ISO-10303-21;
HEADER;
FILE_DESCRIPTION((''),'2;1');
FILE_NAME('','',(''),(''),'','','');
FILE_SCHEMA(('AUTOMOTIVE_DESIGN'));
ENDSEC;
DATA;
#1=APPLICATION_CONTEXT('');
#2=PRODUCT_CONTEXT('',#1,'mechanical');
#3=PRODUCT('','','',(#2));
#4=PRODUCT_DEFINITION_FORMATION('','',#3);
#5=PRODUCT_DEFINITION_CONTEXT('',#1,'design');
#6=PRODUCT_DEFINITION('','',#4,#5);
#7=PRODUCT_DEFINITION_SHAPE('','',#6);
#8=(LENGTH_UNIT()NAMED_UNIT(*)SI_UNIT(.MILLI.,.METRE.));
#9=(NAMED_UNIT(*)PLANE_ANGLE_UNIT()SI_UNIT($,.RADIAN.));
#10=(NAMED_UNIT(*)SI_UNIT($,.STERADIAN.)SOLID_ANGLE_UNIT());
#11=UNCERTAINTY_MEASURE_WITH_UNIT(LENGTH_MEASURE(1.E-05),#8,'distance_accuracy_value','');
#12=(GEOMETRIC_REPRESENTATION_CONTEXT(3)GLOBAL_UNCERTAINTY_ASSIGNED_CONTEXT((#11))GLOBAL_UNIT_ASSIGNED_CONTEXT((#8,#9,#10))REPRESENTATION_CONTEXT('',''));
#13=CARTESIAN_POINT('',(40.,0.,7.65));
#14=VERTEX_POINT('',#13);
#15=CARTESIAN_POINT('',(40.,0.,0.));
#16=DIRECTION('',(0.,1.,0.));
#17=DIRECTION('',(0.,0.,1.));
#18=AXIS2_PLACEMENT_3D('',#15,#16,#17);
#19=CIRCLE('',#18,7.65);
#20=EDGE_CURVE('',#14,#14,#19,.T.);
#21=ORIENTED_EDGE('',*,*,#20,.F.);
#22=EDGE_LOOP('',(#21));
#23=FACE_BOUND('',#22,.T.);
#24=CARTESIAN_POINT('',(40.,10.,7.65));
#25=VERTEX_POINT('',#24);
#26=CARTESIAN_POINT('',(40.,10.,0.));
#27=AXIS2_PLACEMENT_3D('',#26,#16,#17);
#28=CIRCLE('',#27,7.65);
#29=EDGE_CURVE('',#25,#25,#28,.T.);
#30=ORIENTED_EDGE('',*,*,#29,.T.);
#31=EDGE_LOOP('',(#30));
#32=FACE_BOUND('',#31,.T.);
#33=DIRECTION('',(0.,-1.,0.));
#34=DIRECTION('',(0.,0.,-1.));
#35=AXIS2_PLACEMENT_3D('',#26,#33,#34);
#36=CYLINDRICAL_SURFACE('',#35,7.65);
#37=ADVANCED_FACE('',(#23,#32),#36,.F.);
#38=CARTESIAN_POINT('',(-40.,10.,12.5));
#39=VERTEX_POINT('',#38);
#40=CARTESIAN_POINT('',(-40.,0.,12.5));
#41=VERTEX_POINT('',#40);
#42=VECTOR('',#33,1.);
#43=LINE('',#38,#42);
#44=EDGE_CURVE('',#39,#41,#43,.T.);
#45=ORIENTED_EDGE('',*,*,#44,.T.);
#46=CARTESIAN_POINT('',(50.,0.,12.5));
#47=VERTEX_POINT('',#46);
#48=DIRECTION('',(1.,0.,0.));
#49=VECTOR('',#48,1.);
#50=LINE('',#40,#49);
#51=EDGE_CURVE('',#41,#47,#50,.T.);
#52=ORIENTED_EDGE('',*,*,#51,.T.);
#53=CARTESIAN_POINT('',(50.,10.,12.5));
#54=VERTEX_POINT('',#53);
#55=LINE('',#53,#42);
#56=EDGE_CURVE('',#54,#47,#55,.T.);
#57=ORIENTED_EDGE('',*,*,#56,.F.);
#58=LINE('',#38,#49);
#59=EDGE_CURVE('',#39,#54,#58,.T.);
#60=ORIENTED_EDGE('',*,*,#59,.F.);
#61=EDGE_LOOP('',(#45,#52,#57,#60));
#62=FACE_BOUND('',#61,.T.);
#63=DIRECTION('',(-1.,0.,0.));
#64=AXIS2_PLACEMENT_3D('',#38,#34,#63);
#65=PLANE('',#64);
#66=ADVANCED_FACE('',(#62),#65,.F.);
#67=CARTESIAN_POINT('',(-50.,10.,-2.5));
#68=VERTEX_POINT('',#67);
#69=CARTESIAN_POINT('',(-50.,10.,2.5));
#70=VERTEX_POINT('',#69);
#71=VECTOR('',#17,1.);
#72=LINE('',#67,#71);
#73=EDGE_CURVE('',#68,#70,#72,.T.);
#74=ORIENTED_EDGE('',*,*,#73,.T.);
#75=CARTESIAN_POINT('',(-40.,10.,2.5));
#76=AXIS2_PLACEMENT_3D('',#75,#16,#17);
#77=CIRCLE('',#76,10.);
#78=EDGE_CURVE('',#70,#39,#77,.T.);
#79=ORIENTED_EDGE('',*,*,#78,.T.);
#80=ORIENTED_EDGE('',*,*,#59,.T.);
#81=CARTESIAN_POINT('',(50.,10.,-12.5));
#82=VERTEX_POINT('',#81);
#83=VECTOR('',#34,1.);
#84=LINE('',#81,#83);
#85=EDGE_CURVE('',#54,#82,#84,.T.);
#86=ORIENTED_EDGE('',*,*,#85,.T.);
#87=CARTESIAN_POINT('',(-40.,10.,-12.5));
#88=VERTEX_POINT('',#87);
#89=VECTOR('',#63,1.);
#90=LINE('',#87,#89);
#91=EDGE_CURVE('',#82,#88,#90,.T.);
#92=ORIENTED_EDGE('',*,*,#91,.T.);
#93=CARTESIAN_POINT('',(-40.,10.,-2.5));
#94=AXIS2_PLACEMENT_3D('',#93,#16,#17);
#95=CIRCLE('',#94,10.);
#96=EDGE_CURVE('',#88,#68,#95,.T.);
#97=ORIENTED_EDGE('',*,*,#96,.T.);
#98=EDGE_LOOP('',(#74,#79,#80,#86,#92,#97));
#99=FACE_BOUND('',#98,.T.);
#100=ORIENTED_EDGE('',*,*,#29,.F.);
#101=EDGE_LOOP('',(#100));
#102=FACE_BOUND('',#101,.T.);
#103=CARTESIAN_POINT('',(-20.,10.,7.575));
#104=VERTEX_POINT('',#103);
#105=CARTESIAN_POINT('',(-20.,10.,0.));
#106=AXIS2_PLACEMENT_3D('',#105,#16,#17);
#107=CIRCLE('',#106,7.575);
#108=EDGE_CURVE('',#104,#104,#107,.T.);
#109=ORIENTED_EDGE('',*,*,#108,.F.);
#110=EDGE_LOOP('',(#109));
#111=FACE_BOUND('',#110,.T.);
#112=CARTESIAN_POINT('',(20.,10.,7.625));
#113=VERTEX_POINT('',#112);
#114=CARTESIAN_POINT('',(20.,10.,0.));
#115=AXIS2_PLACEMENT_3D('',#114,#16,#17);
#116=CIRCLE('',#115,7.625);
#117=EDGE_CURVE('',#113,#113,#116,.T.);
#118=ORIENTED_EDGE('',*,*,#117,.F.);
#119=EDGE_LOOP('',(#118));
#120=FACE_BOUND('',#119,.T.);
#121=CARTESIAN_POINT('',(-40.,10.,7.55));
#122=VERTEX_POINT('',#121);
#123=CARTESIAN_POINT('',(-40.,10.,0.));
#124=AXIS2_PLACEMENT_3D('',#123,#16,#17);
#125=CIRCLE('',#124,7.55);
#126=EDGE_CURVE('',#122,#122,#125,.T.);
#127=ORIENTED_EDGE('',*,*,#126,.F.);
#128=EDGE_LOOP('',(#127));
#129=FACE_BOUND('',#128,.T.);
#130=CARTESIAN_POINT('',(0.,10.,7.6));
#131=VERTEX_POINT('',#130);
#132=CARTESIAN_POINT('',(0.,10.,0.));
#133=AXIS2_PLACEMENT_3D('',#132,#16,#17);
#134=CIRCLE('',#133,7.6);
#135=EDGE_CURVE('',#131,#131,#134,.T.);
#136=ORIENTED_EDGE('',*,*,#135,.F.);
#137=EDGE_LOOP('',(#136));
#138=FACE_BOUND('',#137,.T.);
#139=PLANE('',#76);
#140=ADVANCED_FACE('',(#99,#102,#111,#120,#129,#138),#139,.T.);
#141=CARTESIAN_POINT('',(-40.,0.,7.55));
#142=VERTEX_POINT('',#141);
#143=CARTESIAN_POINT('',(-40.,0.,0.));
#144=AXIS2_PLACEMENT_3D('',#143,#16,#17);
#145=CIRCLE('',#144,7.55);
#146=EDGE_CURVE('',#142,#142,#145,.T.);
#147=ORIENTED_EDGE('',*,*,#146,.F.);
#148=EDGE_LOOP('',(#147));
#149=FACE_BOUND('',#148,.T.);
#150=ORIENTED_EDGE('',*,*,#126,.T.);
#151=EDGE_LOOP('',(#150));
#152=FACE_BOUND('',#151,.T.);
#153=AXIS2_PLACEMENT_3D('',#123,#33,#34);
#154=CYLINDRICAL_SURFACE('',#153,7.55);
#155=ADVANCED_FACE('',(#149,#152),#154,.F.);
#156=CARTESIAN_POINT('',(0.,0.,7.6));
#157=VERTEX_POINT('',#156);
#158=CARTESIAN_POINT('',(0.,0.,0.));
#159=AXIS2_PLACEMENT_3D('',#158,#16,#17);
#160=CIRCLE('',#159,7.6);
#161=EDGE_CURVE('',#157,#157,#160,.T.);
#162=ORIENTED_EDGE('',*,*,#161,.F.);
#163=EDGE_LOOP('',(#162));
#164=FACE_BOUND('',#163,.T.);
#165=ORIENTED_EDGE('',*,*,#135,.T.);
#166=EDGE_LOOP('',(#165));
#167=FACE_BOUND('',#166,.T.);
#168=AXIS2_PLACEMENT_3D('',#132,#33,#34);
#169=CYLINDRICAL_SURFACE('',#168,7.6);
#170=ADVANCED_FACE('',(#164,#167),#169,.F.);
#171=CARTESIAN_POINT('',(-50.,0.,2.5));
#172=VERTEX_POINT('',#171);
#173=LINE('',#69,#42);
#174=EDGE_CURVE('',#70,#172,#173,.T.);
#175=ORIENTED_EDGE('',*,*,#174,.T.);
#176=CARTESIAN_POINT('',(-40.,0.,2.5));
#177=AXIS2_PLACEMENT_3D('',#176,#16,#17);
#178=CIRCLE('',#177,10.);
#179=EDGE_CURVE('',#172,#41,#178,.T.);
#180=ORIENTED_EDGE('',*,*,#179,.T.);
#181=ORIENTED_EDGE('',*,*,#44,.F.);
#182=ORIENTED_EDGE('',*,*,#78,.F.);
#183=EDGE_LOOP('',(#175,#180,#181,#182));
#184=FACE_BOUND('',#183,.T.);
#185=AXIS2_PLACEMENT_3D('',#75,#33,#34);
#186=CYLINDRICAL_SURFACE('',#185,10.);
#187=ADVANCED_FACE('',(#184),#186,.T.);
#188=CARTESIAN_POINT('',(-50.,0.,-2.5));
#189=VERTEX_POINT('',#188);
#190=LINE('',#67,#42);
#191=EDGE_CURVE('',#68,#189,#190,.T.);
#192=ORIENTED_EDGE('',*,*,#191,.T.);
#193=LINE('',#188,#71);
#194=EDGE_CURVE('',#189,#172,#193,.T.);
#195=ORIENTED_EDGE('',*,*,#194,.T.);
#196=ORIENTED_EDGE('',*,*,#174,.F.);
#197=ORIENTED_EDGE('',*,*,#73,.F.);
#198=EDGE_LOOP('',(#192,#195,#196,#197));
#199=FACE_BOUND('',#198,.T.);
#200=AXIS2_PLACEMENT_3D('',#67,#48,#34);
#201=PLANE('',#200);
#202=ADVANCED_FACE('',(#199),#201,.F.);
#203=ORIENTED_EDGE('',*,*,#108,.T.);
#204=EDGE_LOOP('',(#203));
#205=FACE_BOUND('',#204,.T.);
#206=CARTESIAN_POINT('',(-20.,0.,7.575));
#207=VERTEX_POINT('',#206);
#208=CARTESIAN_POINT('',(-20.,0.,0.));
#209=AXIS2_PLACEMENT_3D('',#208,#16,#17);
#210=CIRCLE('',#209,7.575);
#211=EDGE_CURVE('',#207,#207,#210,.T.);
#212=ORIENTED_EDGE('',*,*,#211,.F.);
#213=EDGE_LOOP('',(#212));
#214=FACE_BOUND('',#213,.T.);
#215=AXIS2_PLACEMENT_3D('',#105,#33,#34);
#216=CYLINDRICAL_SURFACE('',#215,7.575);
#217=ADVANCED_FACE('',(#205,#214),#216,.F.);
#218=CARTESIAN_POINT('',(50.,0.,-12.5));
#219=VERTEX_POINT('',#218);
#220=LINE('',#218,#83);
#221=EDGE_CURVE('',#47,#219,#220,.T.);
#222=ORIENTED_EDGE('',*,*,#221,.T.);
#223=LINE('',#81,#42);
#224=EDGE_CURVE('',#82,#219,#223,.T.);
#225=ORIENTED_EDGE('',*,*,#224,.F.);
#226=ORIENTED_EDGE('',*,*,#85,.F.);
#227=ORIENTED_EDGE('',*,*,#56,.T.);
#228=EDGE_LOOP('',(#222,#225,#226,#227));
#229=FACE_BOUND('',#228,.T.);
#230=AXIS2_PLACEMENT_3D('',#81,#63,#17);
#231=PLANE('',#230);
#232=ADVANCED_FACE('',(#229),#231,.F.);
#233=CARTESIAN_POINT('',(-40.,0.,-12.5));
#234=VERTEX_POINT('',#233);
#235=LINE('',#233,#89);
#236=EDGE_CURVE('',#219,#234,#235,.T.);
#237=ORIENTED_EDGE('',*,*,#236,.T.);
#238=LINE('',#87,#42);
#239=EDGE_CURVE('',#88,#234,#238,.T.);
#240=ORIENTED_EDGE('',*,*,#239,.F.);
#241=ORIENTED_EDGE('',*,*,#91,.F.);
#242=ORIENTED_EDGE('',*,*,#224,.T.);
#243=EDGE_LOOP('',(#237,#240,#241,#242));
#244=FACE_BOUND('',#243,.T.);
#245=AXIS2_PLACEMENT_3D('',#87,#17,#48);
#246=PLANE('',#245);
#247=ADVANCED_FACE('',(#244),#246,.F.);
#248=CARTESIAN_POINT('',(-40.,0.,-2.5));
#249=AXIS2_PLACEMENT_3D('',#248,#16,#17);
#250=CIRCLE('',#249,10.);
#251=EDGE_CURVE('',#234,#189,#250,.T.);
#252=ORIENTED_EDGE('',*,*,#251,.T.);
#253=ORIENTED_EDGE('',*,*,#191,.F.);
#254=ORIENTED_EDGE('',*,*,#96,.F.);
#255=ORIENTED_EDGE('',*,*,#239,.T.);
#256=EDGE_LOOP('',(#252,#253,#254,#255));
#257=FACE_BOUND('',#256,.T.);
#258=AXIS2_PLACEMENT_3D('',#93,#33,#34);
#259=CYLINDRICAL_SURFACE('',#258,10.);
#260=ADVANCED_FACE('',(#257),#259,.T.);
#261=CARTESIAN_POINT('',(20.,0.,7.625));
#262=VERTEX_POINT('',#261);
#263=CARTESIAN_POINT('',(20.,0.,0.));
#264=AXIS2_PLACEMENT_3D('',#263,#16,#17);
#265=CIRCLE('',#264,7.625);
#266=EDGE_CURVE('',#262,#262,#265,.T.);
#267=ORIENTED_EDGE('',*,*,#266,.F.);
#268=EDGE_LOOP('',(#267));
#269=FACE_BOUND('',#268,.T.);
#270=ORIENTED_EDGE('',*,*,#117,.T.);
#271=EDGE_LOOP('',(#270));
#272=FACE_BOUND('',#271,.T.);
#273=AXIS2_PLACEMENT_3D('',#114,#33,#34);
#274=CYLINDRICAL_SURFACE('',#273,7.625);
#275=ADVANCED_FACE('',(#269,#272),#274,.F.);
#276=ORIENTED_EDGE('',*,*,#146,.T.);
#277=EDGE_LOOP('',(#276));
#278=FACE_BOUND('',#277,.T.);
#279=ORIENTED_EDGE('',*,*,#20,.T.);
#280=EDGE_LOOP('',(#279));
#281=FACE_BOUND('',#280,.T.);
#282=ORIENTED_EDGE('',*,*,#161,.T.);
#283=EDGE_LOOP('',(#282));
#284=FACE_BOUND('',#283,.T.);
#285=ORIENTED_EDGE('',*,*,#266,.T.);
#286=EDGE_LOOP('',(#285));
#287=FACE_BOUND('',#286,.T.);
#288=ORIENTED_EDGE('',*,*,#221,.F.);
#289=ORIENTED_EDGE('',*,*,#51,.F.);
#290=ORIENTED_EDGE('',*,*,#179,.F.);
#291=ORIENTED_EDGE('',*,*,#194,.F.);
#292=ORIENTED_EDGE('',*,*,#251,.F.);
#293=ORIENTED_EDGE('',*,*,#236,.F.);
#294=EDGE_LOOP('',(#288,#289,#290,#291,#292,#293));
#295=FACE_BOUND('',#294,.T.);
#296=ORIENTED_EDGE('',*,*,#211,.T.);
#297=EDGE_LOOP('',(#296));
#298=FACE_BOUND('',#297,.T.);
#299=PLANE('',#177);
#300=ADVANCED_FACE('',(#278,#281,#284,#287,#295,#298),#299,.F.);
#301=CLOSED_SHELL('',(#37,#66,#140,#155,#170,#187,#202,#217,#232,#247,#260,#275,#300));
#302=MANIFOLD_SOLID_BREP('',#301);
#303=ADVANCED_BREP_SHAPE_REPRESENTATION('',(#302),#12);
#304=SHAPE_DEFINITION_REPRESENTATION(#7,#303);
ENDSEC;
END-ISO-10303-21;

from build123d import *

# Parameters (mm, degrees)
SKETCH1_R           = 7.55
SKETCH1_R_2         = 7.575
SKETCH1_R_3         = 7.6
SKETCH1_R_4         = 7.625
SKETCH1_R_5         = 7.65
BOSS_EXTRUDE1_DEPTH = 10


with BuildPart() as part:
    # Sketch1 → Boss-Extrude1 (new body)
    with BuildSketch(Plane(origin=(0, 0, 0), x_dir=(1, 0, 0), z_dir=(0, 1, 0))):
        with BuildLine():
            Line((-40, 12.5), (50, 12.5))
            Line((50, 12.5), (50, -12.5))
            Line((50, -12.5), (-40, -12.5))
            ThreePointArc((-40, -12.5), (-47.071067812, -9.571067812), (-50, -2.5))
            Line((-50, -2.5), (-50, 2.5))
            ThreePointArc((-50, 2.5), (-47.071067812, 9.571067812), (-40, 12.5))
        make_face()
        with Locations(Location((-40, 0, 0), (0, 0, 270))):
            Circle(SKETCH1_R, mode=Mode.SUBTRACT)
        with Locations(Location((-20, 0, 0), (0, 0, 270))):
            Circle(SKETCH1_R_2, mode=Mode.SUBTRACT)
        with Locations(Location((0, 0, 0), (0, 0, 270))):
            Circle(SKETCH1_R_3, mode=Mode.SUBTRACT)
        with Locations(Location((20, 0, 0), (0, 0, 270))):
            Circle(SKETCH1_R_4, mode=Mode.SUBTRACT)
        with Locations(Location((40, 0, 0), (0, 0, 270))):
            Circle(SKETCH1_R_5, mode=Mode.SUBTRACT)
    extrude(amount=BOSS_EXTRUDE1_DEPTH)


solid = part.part
